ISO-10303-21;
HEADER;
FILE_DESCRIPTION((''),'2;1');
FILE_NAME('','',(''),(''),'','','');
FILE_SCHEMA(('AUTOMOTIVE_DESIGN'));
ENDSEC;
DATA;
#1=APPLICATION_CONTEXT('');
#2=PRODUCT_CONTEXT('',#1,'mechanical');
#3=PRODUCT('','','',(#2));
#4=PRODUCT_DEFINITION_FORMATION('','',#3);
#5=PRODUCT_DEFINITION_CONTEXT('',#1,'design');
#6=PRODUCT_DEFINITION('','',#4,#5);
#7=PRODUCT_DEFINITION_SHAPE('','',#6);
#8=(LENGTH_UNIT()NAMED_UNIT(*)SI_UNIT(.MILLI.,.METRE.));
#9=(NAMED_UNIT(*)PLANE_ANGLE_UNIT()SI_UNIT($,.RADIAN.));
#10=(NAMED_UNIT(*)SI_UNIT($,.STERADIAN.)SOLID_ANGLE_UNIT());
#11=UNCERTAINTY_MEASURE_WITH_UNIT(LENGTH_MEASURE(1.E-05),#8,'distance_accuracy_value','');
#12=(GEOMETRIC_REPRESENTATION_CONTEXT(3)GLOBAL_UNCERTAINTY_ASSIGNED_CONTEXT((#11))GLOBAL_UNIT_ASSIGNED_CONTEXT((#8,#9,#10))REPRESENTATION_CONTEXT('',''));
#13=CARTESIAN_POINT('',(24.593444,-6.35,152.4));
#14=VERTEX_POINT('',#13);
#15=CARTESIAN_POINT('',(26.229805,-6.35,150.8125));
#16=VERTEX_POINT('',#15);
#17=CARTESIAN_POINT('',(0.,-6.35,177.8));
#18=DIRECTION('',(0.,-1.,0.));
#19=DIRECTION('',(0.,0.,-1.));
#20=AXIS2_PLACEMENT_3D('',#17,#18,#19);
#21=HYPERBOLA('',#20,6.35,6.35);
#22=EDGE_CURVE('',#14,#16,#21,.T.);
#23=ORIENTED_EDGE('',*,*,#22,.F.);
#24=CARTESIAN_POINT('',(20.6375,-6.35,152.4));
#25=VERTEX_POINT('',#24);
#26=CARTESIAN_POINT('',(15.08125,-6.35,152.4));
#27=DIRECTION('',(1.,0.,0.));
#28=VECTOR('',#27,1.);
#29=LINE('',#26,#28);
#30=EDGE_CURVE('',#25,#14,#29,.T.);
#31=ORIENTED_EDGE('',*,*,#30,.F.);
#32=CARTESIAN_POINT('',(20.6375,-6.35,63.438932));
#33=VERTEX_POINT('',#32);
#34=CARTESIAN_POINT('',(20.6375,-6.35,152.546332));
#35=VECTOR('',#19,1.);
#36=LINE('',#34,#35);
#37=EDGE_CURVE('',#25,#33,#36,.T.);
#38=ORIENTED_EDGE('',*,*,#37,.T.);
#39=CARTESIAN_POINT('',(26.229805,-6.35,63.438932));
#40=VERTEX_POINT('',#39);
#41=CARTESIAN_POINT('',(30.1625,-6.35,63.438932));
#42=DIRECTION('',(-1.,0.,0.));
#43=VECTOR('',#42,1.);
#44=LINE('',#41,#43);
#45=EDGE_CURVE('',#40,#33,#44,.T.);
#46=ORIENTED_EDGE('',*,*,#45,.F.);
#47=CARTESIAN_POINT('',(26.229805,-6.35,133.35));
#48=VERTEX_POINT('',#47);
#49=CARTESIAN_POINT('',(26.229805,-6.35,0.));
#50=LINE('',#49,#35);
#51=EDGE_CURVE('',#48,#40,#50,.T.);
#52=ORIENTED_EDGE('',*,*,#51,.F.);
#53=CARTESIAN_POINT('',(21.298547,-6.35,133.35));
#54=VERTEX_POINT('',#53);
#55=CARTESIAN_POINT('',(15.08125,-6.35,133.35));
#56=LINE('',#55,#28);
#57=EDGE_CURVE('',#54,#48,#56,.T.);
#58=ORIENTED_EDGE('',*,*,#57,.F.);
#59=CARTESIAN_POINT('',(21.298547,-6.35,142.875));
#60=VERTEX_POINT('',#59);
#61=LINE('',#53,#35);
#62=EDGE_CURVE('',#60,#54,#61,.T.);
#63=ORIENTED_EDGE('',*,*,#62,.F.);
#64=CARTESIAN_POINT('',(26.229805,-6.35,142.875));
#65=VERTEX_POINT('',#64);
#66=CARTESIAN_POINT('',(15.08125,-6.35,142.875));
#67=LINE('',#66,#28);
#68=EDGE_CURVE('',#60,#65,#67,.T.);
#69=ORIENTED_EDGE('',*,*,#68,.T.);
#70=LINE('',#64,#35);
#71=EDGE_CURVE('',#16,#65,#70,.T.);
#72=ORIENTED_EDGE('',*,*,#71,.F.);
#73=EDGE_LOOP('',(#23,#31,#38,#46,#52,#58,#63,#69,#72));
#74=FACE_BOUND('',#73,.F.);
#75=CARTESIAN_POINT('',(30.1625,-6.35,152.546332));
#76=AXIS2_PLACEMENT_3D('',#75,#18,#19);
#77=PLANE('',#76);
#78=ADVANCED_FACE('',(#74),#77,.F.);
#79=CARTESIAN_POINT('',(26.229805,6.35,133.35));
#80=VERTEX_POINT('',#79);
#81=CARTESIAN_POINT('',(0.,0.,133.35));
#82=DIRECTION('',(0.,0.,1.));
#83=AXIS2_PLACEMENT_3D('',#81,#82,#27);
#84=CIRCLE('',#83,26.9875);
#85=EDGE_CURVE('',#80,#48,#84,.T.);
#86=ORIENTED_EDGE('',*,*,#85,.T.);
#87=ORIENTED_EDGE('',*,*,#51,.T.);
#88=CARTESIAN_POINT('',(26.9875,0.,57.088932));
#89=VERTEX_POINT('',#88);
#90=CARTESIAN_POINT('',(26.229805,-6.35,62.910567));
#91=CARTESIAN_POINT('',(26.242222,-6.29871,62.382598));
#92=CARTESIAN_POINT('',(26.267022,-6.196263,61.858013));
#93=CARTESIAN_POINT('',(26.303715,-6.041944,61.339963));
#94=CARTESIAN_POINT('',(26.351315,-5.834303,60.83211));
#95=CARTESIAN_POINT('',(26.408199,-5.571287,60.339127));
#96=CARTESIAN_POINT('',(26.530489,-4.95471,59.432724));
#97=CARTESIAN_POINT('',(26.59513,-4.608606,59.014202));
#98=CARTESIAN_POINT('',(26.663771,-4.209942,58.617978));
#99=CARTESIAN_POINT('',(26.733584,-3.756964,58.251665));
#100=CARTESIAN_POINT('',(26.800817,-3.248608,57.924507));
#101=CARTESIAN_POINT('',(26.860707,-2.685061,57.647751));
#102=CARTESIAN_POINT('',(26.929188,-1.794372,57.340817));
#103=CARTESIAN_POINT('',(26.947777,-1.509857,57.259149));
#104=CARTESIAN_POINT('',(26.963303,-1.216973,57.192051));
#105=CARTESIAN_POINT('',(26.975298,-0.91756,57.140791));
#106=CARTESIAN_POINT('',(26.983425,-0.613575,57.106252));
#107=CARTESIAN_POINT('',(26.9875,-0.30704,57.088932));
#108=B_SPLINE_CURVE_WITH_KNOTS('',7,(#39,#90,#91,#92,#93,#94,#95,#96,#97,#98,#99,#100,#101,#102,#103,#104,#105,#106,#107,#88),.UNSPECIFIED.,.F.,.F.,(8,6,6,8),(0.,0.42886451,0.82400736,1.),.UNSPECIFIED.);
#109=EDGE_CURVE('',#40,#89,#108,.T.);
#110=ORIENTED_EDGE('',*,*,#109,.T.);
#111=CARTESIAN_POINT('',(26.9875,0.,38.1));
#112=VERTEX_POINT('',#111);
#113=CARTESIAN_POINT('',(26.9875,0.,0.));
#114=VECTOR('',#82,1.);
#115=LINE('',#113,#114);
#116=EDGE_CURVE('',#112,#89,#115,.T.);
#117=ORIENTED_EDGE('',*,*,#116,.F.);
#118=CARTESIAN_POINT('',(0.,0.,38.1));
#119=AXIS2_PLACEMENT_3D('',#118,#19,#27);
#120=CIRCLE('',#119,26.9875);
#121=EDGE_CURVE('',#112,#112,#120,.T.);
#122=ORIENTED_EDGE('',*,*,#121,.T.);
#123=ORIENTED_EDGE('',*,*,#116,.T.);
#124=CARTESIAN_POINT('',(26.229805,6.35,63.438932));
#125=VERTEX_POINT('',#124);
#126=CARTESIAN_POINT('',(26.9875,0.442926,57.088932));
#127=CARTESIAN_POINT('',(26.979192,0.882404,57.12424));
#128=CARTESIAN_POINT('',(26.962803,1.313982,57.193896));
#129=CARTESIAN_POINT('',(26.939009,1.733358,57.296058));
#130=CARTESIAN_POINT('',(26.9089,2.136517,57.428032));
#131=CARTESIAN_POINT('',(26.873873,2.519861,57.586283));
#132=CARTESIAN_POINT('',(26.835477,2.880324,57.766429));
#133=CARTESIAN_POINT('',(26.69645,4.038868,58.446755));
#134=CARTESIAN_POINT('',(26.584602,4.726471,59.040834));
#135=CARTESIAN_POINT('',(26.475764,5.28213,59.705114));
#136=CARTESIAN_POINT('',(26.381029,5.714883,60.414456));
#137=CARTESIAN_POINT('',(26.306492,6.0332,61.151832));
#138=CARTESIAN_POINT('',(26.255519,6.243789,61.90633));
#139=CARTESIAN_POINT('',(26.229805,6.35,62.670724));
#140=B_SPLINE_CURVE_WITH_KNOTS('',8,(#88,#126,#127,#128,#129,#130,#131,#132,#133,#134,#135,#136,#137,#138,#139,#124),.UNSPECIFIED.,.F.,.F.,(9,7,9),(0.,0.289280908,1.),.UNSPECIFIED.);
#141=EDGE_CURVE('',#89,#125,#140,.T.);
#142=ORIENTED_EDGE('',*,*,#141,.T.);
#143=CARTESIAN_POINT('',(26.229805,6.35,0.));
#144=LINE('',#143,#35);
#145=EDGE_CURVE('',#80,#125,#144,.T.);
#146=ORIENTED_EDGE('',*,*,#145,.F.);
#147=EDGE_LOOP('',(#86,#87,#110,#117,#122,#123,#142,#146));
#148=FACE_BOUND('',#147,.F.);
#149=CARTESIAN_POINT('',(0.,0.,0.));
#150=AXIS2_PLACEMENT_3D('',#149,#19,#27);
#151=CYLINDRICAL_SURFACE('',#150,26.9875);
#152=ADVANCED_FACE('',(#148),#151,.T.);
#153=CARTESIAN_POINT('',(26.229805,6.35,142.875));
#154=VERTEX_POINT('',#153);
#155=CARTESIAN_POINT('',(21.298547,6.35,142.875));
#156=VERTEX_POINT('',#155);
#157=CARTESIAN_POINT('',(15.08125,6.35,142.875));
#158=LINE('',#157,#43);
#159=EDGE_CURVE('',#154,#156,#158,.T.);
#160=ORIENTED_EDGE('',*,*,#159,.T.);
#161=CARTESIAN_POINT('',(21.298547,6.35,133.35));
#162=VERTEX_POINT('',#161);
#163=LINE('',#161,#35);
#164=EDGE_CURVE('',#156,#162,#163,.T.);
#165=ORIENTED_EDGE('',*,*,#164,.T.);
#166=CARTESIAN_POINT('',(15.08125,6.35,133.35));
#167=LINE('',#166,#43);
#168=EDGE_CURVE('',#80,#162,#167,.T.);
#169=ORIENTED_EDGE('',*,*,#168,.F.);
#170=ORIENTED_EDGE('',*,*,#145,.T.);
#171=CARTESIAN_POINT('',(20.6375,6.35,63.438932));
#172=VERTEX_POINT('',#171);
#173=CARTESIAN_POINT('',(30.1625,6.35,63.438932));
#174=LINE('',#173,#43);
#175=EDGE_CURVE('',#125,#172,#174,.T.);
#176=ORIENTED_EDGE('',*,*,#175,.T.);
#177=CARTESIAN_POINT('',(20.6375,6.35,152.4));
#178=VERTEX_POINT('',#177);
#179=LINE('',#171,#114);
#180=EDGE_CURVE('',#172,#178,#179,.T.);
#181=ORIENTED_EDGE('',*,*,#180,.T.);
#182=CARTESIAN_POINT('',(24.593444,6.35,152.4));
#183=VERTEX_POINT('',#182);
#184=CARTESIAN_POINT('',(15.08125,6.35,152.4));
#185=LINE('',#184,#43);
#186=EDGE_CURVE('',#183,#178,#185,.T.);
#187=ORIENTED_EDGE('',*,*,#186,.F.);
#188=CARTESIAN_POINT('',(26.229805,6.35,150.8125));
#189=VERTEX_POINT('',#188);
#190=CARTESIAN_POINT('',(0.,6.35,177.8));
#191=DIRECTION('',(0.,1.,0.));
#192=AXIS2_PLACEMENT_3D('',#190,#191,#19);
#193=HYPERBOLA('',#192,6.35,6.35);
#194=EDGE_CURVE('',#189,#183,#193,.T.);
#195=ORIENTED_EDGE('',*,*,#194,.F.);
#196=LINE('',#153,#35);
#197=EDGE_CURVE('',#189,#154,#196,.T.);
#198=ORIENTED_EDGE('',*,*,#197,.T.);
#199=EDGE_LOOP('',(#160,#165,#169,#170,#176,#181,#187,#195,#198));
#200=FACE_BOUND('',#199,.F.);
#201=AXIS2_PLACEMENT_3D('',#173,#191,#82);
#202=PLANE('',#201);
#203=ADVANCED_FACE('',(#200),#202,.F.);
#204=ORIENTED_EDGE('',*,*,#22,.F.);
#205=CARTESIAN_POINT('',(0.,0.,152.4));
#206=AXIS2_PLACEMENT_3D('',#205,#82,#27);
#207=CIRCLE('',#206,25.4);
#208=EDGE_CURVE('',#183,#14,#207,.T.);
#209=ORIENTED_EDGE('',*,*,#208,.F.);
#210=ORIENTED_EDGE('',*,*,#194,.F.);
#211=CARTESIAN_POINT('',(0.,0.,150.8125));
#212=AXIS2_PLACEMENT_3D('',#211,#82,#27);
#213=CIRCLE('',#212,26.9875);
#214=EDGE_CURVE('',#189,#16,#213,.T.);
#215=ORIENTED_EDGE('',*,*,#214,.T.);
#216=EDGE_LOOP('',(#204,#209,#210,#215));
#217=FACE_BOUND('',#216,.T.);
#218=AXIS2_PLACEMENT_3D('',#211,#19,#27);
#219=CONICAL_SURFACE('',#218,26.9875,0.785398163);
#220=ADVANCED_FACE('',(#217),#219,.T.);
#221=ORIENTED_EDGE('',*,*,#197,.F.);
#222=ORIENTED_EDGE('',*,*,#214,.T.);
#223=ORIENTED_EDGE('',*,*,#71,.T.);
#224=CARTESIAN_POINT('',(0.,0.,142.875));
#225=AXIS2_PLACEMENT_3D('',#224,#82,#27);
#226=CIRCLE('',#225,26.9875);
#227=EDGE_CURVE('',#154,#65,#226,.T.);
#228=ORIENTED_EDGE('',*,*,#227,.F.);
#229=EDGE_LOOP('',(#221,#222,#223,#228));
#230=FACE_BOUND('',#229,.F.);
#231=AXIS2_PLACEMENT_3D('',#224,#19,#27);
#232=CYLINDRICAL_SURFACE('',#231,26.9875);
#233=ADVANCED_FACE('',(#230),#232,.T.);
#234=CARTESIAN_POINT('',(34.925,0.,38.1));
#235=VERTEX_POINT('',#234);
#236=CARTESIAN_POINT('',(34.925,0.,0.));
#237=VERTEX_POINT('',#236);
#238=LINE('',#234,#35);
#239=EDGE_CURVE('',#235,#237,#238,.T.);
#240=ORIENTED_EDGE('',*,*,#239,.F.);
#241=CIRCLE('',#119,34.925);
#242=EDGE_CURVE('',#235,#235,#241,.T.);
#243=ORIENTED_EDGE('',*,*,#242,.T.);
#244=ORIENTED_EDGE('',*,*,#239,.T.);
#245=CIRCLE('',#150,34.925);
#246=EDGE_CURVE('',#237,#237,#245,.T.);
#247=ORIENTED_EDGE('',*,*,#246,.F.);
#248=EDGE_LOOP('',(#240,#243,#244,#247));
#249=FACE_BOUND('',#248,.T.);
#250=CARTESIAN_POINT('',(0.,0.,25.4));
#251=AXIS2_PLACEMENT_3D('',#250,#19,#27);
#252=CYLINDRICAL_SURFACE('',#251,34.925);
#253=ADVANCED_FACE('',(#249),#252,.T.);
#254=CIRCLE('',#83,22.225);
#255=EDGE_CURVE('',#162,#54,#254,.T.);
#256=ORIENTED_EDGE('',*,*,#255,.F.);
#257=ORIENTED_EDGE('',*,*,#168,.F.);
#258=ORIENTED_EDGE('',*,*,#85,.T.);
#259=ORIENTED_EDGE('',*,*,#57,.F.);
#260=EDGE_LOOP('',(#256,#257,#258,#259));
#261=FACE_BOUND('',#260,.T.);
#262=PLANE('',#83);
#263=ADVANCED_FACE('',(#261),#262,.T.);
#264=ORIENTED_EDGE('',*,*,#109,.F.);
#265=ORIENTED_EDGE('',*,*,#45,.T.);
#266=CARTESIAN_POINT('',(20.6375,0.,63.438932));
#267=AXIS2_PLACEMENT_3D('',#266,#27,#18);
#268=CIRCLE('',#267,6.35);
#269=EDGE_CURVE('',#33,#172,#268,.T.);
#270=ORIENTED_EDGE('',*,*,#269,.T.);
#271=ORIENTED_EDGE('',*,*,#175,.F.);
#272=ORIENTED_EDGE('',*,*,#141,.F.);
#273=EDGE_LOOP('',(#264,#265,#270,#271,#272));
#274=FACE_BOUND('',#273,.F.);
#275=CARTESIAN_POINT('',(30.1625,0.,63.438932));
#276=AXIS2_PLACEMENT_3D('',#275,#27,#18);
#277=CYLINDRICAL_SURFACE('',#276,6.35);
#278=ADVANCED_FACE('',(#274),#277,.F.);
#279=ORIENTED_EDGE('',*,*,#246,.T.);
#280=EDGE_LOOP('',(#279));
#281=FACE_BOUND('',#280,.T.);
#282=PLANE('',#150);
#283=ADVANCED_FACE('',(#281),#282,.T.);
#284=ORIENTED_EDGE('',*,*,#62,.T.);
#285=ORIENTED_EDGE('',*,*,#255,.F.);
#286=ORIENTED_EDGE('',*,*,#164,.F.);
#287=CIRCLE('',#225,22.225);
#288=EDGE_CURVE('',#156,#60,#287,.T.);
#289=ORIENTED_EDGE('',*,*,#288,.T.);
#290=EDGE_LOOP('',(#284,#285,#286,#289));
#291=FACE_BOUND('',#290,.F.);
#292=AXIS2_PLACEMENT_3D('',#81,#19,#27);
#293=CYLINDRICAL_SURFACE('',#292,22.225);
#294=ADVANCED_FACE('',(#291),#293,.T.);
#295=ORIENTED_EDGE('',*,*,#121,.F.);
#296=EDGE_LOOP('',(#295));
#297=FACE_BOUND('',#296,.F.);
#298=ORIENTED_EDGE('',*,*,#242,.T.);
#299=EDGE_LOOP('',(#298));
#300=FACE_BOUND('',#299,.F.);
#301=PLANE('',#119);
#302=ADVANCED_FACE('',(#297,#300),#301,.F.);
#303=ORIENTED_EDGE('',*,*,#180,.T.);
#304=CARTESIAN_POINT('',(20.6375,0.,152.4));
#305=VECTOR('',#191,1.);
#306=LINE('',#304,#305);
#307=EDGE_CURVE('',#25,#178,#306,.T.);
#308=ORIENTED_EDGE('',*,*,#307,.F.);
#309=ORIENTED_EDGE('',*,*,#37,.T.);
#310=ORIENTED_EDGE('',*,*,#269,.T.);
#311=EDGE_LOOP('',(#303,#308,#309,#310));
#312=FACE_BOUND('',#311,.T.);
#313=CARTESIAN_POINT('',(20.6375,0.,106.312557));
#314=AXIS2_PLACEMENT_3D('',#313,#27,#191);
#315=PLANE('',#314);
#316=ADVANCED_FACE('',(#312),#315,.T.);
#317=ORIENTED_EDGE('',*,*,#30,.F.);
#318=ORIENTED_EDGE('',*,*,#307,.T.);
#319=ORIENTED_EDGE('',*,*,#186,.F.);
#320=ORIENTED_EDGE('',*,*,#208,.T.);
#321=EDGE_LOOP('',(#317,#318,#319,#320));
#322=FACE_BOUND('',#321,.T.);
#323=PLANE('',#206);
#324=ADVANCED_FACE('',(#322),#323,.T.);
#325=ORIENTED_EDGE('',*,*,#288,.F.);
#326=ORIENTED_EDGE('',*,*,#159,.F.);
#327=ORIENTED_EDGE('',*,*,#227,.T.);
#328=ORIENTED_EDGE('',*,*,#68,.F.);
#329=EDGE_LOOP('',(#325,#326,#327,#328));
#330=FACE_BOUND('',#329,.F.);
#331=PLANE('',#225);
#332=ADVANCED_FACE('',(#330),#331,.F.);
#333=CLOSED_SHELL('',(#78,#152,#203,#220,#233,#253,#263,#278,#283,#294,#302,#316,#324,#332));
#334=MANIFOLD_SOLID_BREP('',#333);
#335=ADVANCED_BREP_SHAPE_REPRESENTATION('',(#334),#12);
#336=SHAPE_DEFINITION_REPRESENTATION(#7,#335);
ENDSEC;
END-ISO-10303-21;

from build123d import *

# Parameters (mm, degrees)
F0_R      = 26.9875
F1_DEPTH  = 133.35
F2_R      = 22.225
F3_DEPTH  = 9.525
F4_R      = 26.9875
F5_DEPTH  = 9.525
F6_SIZE   = 1.5875
F9_DEPTH  = 9.525
F10_R     = 34.925
F11_DEPTH = 25.4
F12_DEPTH = 12.7


with BuildPart() as f1:
    # F0 (on Top) → F1 (new body)
    with BuildSketch(Plane.XY):
        Circle(F0_R)
    extrude(amount=F1_DEPTH)

    # F2 (on face) → F3 (join)
    with BuildSketch(Plane.XY.offset(133.35)):
        Circle(F2_R)
    extrude(amount=F3_DEPTH)

    # F4 (on face) → F5 (join)
    with BuildSketch(Plane.XY.offset(142.875)):
        Circle(F4_R)
    extrude(amount=F5_DEPTH)

    # F6
    f6_edges = [f1.edges().sort_by_distance(p)[0] for p in [
        (-26.9875, 0, 152.4),
    ]]
    chamfer(f6_edges, length=F6_SIZE)

    # F8 (on offset) → F9 (cut)
    with BuildSketch(Plane.YZ.offset(30.1625)):
        with BuildLine():
            Line((6.35, 63.4389315911), (6.35, 152.5463323689))
            Line((6.35, 152.5463323689), (-6.35, 152.5463323689))
            Line((-6.35, 152.5463323689), (-6.35, 63.4389315911))
            ThreePointArc((-6.35, 63.4389315911), (0, 57.0889315911), (6.35, 63.4389315911))
        make_face()
    extrude(amount=-F9_DEPTH, mode=Mode.SUBTRACT)

    # F10 (on face) → F11 (join)
    with BuildSketch(Plane(origin=(0, 0, 0), x_dir=(1, 0, 0), z_dir=(0, 0, -1))):
        Circle(F10_R)
    extrude(amount=-F11_DEPTH)

    # F12 (add): a face of the model
    f12_faces = [f1.faces().sort_by_distance(p)[0] for p in [
        (-33.9371718267, 0, 25.4),
    ]]
    extrude(f12_faces, amount=F12_DEPTH)


solid = f1.part
